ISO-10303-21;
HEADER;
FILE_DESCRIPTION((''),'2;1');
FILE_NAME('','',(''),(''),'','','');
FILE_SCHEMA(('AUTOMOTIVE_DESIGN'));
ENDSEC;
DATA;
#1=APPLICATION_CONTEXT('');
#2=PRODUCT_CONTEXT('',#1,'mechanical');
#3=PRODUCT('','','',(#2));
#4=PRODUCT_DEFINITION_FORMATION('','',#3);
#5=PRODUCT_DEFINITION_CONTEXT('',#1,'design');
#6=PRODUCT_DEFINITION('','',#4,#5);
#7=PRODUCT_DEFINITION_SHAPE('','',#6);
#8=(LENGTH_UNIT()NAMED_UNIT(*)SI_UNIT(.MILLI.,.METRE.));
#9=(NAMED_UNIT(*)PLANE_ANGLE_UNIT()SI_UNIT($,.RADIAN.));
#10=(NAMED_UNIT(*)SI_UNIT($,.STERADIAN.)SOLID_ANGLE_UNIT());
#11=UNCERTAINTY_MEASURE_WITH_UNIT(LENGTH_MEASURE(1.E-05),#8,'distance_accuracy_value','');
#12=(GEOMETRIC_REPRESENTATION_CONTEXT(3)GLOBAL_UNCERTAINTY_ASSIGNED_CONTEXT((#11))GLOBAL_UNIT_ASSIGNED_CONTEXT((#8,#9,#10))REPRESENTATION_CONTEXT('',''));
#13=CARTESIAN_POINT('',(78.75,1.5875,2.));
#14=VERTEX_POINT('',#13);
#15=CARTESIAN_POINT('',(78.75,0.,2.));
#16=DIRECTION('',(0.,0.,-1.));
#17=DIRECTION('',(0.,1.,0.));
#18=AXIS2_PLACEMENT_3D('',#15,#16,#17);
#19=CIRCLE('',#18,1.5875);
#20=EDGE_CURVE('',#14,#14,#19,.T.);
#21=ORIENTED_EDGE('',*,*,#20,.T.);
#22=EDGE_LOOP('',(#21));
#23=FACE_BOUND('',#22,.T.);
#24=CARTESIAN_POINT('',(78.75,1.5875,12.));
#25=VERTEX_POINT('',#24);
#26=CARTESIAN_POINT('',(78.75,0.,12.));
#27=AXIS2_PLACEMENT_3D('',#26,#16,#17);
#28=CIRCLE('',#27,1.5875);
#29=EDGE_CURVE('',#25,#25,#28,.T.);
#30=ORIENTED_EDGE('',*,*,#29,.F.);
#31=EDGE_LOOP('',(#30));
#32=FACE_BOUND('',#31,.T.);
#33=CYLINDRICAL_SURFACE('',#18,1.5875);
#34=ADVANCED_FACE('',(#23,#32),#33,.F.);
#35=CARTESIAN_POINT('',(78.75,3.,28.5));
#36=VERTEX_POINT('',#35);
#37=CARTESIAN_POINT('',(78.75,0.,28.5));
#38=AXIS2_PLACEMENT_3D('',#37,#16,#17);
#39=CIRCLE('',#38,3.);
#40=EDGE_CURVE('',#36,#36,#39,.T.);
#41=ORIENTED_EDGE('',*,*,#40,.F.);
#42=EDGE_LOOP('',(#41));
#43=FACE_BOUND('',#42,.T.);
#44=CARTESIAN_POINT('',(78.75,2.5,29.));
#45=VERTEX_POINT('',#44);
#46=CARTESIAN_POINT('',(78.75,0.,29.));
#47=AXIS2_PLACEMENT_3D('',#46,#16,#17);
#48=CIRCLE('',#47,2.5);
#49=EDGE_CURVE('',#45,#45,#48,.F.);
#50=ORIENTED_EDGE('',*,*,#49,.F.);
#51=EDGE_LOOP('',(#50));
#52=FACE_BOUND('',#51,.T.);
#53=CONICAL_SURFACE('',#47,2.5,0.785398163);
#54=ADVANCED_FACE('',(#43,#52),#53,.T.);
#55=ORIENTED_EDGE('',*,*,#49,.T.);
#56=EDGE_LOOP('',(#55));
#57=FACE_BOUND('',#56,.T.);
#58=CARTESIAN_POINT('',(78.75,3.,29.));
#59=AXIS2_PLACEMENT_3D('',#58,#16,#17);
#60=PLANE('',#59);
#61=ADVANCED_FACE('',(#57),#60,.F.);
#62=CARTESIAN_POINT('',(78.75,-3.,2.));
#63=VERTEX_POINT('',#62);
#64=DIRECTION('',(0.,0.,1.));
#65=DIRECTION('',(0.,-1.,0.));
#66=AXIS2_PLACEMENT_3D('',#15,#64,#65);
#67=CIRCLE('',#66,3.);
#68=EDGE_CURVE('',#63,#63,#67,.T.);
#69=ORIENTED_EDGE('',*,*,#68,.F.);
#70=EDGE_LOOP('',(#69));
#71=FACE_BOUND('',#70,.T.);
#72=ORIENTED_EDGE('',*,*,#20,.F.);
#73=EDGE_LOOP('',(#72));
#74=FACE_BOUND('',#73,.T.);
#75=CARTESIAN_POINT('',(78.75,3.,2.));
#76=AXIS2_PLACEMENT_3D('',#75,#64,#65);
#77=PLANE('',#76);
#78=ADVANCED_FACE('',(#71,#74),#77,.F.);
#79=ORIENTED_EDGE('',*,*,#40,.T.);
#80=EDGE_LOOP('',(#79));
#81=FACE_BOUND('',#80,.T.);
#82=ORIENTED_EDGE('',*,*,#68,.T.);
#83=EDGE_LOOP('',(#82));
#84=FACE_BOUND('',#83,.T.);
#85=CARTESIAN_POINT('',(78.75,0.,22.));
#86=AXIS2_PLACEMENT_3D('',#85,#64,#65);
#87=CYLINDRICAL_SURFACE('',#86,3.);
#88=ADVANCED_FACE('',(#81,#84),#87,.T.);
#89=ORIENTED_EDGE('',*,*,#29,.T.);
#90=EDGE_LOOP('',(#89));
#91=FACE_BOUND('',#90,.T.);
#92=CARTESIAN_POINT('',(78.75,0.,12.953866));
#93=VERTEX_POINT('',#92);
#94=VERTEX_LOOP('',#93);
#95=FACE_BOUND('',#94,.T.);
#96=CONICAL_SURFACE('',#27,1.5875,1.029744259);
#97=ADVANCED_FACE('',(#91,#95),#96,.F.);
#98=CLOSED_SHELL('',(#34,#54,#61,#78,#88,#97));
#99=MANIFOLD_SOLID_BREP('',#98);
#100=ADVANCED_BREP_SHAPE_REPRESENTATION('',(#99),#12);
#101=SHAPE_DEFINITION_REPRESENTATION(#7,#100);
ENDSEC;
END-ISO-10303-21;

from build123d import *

# Parameters (mm, degrees)
F_3_1_3_175_DURCHMESSER_BOHRUNG1_D     = 3.175
F_3_1_3_175_DURCHMESSER_BOHRUNG1_DEPTH = 10
F_3_1_3_175_DURCHMESSER_BOHRUNG1_TIP   = 0.953866233
FASE1_SIZE                             = 0.5


with BuildPart() as part:
    # Skizze1 → Rotation1 (revolve)
    with BuildSketch(Plane(origin=(78.75, 0, 0), x_dir=(0, 0, -1), z_dir=(1, 0, 0)), mode=Mode.PRIVATE) as rotation1_sk:
        Polygon((-2, 3), (-2, 0), (-22, 0), (-29, 0), (-29, 3), (-22, 3), align=None)
    revolve(rotation1_sk.sketch.rotate(Axis((78.75, 0, 22), (0, 0, -1)), 180), axis=Axis((78.75, 0, 22), (0, 0, -1)))

    # Ø3.1 (3.175) Durchmesser Bohrung1
    with Locations(Plane(origin=(0, 0, 2), x_dir=(-1, 0, 0), z_dir=(0, 0, -1))):
        with Locations((-78.75, 0)):
            Hole(F_3_1_3_175_DURCHMESSER_BOHRUNG1_D / 2, depth=F_3_1_3_175_DURCHMESSER_BOHRUNG1_DEPTH)
            with Locations((0, 0, -(F_3_1_3_175_DURCHMESSER_BOHRUNG1_DEPTH + F_3_1_3_175_DURCHMESSER_BOHRUNG1_TIP / 2))):  # 118° drill point
                Cone(0, F_3_1_3_175_DURCHMESSER_BOHRUNG1_D / 2, F_3_1_3_175_DURCHMESSER_BOHRUNG1_TIP, mode=Mode.SUBTRACT)

    # Fase1
    fase1_edges = [part.edges().sort_by_distance(p)[0] for p in [
        (78.75, 3, 29),
    ]]
    chamfer(fase1_edges, length=FASE1_SIZE)


solid = part.part
